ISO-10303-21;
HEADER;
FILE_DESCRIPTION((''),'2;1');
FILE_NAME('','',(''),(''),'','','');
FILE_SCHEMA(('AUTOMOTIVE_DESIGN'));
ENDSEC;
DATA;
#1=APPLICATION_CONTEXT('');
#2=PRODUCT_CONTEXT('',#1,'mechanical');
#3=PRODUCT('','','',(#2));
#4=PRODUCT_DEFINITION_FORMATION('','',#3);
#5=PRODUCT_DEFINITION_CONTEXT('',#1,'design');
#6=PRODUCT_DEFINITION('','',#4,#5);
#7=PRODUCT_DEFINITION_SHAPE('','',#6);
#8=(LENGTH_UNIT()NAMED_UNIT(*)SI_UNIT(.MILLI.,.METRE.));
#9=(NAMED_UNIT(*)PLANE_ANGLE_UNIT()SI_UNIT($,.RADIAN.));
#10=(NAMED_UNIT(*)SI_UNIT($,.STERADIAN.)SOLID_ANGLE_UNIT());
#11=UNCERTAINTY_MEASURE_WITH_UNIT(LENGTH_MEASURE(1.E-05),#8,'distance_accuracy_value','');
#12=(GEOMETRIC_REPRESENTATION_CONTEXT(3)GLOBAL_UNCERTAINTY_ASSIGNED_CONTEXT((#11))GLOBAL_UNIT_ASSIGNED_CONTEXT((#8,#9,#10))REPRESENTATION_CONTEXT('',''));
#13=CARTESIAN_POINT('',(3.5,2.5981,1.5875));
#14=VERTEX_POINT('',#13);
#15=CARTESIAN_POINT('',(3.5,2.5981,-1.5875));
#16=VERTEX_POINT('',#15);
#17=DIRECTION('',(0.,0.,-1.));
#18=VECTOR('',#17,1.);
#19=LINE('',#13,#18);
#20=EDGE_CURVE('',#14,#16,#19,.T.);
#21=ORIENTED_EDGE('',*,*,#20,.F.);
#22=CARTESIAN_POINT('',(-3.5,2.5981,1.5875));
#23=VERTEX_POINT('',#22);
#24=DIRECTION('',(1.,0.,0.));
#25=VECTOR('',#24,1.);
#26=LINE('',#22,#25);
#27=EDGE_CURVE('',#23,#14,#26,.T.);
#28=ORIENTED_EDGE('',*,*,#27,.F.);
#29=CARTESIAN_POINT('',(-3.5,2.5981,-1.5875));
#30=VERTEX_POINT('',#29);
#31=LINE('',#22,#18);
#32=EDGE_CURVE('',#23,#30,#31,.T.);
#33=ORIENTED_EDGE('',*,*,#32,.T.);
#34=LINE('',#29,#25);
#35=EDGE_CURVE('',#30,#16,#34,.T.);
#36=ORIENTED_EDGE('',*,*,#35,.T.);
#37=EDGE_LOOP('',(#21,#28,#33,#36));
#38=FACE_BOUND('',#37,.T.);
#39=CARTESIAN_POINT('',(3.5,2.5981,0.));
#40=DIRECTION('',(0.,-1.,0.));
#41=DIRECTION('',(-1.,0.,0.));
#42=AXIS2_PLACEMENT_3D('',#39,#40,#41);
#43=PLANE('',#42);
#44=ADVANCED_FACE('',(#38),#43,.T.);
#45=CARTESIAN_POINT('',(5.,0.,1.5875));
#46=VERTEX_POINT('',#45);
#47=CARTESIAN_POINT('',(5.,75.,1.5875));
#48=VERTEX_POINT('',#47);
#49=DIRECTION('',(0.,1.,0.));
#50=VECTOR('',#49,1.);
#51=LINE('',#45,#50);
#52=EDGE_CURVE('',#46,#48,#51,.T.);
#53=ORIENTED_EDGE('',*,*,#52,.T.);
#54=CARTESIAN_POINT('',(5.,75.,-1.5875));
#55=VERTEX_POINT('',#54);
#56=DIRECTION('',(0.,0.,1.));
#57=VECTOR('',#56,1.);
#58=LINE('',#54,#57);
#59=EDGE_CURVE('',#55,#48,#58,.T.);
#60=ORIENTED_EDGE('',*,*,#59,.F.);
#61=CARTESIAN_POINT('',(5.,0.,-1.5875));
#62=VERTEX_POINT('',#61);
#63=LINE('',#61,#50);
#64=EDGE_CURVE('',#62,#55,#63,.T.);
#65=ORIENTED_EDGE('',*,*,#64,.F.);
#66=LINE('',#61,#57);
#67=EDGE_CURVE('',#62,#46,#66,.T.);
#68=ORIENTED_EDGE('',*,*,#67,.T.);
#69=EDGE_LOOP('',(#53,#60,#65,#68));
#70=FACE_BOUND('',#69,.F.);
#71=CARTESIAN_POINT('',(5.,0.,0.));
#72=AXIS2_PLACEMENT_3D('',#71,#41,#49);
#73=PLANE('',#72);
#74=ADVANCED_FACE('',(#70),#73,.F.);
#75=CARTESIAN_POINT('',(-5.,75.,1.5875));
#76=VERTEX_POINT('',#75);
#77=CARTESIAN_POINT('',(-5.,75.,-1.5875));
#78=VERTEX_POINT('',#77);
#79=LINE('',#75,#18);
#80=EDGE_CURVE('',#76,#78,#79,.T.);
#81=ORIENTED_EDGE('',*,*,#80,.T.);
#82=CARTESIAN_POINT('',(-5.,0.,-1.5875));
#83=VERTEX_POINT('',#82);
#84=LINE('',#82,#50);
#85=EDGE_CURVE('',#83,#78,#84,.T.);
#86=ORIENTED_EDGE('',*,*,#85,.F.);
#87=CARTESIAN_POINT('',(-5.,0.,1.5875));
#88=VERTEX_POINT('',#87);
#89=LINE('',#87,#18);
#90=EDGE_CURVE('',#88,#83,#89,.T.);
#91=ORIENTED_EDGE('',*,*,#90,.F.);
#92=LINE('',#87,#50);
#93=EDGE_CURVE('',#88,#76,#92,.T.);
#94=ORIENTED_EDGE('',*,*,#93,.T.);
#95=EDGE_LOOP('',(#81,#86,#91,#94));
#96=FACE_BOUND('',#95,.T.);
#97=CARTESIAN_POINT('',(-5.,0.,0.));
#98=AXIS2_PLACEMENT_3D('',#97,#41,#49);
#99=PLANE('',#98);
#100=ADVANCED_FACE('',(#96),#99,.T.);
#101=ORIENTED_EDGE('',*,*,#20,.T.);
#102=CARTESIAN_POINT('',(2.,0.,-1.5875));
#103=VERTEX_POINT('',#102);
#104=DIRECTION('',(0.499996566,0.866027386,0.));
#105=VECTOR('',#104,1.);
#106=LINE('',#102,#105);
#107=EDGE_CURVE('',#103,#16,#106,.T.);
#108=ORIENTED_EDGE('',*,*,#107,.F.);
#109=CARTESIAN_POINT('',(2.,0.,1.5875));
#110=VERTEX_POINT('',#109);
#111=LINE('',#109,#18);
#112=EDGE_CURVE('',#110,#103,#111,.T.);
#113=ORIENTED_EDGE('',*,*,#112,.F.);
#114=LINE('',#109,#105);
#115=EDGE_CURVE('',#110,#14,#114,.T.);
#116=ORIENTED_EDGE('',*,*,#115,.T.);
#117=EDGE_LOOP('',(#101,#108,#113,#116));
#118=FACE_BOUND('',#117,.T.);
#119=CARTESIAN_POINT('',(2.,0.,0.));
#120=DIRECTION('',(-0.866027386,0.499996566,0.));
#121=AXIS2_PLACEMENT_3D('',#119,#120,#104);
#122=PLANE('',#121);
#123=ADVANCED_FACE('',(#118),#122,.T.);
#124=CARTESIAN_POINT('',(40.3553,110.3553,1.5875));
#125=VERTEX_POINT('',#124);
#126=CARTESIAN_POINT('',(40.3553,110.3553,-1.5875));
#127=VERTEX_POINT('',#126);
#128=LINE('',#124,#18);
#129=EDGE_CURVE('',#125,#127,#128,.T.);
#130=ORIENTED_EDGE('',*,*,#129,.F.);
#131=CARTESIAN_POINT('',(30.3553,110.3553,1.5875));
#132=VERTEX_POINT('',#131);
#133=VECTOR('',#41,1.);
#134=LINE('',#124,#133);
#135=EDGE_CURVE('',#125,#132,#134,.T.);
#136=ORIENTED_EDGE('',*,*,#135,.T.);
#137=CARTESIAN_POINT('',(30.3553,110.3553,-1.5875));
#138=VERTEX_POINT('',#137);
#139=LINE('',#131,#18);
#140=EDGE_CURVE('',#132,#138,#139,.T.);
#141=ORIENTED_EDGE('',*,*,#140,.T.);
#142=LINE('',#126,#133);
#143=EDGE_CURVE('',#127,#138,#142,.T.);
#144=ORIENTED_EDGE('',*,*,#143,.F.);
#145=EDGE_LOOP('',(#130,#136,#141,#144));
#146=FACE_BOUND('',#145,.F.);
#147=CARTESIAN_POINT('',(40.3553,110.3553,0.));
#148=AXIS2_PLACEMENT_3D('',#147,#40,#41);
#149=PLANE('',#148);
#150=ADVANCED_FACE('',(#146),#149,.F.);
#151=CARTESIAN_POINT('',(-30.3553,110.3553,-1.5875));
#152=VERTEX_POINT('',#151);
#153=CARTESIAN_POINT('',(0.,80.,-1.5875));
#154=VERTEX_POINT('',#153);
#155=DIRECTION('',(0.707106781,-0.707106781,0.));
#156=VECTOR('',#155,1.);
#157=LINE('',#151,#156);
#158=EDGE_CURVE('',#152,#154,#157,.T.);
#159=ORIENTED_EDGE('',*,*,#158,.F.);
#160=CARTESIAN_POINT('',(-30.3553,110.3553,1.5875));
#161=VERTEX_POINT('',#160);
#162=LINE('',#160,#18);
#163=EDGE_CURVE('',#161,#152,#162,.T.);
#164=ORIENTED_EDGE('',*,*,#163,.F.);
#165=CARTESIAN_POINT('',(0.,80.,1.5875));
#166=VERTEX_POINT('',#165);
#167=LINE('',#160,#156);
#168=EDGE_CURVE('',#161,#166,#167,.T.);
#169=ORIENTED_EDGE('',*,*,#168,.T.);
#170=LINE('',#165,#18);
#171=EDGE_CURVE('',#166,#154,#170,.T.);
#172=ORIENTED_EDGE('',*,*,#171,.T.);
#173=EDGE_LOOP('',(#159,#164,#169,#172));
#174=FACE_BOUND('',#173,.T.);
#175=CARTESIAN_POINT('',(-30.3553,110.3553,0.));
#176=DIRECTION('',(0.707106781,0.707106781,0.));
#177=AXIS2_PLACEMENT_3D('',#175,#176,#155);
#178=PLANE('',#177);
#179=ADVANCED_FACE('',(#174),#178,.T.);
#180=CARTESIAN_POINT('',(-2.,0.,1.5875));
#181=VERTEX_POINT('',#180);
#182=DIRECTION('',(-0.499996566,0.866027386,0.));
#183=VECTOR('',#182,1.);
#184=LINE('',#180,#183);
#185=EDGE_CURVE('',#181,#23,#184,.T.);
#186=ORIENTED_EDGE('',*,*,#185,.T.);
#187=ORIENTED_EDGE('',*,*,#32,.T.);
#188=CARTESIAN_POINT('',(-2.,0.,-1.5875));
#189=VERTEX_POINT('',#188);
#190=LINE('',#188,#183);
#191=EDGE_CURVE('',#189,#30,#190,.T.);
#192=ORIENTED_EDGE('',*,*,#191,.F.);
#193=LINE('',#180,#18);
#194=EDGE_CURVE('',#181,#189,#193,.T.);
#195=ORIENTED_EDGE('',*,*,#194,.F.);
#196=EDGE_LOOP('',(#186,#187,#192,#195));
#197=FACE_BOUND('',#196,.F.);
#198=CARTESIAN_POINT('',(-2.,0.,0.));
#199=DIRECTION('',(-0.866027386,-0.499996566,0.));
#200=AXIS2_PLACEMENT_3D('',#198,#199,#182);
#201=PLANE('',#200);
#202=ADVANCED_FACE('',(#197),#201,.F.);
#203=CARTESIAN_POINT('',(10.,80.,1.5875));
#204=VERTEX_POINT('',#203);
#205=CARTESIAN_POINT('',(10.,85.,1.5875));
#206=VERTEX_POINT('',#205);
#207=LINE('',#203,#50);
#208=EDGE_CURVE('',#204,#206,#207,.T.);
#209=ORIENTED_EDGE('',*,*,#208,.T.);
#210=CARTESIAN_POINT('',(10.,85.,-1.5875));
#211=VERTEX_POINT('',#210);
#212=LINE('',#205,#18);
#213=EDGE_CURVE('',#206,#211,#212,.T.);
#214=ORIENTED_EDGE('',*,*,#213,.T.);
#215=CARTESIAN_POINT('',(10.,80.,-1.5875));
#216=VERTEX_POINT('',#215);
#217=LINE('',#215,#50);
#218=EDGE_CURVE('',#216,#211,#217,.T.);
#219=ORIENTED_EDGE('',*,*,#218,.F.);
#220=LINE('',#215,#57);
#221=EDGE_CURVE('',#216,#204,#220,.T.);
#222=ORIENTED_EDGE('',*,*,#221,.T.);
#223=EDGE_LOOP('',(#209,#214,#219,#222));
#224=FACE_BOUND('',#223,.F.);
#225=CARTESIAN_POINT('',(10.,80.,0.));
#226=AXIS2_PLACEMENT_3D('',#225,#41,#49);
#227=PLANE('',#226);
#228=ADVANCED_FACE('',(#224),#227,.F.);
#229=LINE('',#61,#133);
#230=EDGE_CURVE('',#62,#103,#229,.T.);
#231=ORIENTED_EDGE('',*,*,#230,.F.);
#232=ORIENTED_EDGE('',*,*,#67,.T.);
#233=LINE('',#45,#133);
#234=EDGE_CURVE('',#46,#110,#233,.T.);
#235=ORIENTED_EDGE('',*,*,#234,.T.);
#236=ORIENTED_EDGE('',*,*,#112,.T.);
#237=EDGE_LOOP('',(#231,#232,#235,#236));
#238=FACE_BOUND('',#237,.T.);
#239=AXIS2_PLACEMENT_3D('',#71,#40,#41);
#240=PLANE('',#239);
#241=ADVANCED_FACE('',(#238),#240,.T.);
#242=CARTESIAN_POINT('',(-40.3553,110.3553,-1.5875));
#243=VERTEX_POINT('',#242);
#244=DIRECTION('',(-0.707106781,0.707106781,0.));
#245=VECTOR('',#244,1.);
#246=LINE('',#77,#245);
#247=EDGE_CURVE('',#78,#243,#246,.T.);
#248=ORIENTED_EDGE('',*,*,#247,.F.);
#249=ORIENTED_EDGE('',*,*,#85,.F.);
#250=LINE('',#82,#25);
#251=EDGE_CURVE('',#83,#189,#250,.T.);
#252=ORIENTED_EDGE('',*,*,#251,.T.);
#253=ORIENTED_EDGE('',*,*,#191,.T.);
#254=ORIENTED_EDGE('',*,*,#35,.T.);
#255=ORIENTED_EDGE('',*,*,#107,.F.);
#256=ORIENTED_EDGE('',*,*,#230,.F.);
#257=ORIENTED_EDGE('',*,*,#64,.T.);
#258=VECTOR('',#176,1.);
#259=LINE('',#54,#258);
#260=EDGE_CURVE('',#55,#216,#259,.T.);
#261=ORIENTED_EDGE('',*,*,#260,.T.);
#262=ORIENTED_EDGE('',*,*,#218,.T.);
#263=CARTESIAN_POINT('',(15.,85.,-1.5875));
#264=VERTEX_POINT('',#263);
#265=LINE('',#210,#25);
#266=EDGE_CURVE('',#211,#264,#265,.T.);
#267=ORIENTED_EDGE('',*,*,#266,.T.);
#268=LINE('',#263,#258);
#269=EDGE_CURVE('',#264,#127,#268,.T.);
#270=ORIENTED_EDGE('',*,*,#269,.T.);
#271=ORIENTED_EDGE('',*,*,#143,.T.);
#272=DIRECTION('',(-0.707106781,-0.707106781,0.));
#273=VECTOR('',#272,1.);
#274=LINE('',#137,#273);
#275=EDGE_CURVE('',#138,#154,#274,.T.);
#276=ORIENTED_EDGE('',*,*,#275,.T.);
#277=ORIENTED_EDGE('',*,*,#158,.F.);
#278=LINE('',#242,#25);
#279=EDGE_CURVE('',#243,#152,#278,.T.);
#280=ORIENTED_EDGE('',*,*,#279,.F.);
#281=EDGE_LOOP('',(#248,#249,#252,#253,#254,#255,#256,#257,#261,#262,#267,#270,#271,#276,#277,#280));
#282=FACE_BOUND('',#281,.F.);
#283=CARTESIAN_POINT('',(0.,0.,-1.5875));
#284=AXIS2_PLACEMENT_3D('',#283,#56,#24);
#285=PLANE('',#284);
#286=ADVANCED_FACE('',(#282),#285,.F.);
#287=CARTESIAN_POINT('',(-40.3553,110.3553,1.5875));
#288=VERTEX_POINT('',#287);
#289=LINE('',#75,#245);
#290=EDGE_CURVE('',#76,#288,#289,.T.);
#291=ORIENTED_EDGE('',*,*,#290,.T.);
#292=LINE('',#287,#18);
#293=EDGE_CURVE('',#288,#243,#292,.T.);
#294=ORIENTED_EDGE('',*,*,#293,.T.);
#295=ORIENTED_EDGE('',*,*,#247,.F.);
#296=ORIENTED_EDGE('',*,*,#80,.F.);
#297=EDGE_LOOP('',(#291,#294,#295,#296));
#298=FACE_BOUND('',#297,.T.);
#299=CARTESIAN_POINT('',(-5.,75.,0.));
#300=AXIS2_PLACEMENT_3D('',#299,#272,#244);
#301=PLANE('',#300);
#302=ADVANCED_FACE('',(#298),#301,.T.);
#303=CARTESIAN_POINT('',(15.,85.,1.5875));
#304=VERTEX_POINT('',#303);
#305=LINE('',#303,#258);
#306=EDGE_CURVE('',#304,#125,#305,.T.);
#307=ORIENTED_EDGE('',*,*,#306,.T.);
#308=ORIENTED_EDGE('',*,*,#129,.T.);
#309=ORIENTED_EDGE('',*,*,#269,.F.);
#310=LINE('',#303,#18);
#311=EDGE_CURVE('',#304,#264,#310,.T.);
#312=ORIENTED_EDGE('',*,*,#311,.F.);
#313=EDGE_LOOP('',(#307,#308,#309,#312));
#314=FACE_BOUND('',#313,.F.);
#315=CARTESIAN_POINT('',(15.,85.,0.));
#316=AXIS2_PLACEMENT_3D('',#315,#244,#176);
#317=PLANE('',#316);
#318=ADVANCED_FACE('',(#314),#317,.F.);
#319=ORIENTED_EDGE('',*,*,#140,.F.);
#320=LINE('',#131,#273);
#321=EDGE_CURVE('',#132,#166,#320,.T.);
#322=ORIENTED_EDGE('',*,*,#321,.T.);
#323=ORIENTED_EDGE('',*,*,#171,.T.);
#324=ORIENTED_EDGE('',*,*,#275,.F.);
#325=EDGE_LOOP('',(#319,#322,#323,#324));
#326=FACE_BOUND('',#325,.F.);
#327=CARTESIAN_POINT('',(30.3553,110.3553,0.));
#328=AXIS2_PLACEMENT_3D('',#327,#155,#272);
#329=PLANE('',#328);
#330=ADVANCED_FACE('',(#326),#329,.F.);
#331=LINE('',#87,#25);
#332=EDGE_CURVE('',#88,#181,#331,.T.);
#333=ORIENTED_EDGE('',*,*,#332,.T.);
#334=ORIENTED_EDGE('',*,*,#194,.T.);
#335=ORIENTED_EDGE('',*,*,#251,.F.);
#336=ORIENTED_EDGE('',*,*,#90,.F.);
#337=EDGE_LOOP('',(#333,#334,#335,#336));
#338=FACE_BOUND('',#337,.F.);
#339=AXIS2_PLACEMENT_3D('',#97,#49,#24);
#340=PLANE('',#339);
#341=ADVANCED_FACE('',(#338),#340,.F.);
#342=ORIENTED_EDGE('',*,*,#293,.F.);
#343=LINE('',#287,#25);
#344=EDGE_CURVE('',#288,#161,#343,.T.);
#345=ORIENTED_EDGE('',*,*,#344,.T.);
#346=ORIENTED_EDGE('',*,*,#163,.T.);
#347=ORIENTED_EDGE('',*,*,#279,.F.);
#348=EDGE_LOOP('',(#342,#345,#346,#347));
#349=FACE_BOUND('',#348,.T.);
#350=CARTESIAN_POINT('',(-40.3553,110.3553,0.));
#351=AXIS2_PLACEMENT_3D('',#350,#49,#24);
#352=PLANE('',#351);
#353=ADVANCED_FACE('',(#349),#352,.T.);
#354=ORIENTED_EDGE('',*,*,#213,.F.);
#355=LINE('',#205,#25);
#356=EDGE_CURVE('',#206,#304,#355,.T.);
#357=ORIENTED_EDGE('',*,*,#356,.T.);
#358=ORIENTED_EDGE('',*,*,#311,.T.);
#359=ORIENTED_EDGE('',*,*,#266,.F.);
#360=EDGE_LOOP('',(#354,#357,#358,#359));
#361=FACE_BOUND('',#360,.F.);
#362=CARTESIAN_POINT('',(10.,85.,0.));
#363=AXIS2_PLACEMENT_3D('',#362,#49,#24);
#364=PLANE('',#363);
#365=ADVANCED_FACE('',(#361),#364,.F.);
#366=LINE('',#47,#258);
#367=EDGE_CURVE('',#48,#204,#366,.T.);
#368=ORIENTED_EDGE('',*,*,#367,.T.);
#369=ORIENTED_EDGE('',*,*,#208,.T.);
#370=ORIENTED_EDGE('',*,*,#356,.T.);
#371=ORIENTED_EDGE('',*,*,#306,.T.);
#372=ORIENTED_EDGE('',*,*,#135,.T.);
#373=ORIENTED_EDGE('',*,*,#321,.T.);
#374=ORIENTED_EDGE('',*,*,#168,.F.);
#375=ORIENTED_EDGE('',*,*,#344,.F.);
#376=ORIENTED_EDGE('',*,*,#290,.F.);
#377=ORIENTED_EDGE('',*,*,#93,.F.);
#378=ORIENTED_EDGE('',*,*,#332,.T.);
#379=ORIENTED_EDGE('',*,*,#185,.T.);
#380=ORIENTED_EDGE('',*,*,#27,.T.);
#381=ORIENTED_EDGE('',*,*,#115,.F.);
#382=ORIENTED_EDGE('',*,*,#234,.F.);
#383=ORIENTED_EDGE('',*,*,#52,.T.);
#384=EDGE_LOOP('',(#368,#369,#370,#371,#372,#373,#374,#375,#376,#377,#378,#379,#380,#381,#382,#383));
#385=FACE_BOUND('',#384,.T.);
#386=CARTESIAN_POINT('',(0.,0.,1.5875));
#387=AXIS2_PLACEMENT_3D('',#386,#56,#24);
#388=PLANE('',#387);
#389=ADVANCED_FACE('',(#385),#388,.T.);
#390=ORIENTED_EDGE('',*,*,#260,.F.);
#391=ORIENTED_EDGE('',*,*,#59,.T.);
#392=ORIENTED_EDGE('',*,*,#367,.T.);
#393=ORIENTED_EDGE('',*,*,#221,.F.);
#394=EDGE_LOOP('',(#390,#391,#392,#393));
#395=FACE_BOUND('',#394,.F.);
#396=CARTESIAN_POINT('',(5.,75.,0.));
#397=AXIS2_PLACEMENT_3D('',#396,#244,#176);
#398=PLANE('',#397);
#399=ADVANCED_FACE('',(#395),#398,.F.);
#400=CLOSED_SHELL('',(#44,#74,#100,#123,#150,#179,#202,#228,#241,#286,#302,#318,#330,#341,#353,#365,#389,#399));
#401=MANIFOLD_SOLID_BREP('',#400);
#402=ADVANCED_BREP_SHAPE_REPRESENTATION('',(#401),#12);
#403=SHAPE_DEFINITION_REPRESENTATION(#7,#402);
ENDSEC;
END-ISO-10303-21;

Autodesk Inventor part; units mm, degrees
ref_plane "YZ Plane" through (0, 0, 0) normal (1, 0, 0) x (0, 1, 0)
ref_plane "XZ Plane" through (0, 0, 0) normal (0, 1, 0) x (-1, 0, 0)
ref_plane "XY Plane" through (0, 0, 0) normal (0, 0, 1) x (1, 0, 0)
sketch "Sketch1" plane through (0, 0, 0) normal (0, 0, 1) x (1, 0, 0)
  line L0 (5, 0) -> (5, 75)
  line L1 (5, 75) -> (0, 75) construction
  line L2 (5, 75) -> (55, 75) construction
  line L3 (40.3553, 110.3553) -> (30.3553, 110.3553)
  line L4 (30.3553, 110.3553) -> (0, 80)
  line L5 (0, 0) -> (0, 80) construction
  line L6 (5, 0) -> (2, 0)
  line L7 (2, 0) -> (3.5, 2.5981)
  line L8 (3.5, 2.5981) -> (0, 2.5981)
  line L9 (-5, 0) -> (-5, 75)
  line L10 (-5, 75) -> (-40.3553, 110.3553)
  line L11 (-40.3553, 110.3553) -> (-30.3553, 110.3553)
  line L12 (-30.3553, 110.3553) -> (0, 80)
  line L13 (-5, 0) -> (-2, 0)
  line L14 (-2, 0) -> (-3.5, 2.5981)
  line L15 (-3.5, 2.5981) -> (0, 2.5981)
  line L16 (10, 80) -> (10, 85)
  line L17 (10, 85) -> (15, 85)
  line L18 (5, 75) -> (10, 80)
  line L19 (15, 85) -> (40.3553, 110.3553)
  dimension "d0" = 5
  dimension "d1" = 75
  dimension "d2" = 50
  dimension "d5" = 10
  dimension "d6" = 3
  dimension "d7" = 3
  dimension "d8" = 60
  dimension "d9" = 5
  dimension "d15" = 45
  dimension "d16" = 5
  dimension "d17" = 5
extrude "Extrusion1" add sketch "Sketch1" along normal mid plane 3.175
properties part number "Liu_Inital_Y"
